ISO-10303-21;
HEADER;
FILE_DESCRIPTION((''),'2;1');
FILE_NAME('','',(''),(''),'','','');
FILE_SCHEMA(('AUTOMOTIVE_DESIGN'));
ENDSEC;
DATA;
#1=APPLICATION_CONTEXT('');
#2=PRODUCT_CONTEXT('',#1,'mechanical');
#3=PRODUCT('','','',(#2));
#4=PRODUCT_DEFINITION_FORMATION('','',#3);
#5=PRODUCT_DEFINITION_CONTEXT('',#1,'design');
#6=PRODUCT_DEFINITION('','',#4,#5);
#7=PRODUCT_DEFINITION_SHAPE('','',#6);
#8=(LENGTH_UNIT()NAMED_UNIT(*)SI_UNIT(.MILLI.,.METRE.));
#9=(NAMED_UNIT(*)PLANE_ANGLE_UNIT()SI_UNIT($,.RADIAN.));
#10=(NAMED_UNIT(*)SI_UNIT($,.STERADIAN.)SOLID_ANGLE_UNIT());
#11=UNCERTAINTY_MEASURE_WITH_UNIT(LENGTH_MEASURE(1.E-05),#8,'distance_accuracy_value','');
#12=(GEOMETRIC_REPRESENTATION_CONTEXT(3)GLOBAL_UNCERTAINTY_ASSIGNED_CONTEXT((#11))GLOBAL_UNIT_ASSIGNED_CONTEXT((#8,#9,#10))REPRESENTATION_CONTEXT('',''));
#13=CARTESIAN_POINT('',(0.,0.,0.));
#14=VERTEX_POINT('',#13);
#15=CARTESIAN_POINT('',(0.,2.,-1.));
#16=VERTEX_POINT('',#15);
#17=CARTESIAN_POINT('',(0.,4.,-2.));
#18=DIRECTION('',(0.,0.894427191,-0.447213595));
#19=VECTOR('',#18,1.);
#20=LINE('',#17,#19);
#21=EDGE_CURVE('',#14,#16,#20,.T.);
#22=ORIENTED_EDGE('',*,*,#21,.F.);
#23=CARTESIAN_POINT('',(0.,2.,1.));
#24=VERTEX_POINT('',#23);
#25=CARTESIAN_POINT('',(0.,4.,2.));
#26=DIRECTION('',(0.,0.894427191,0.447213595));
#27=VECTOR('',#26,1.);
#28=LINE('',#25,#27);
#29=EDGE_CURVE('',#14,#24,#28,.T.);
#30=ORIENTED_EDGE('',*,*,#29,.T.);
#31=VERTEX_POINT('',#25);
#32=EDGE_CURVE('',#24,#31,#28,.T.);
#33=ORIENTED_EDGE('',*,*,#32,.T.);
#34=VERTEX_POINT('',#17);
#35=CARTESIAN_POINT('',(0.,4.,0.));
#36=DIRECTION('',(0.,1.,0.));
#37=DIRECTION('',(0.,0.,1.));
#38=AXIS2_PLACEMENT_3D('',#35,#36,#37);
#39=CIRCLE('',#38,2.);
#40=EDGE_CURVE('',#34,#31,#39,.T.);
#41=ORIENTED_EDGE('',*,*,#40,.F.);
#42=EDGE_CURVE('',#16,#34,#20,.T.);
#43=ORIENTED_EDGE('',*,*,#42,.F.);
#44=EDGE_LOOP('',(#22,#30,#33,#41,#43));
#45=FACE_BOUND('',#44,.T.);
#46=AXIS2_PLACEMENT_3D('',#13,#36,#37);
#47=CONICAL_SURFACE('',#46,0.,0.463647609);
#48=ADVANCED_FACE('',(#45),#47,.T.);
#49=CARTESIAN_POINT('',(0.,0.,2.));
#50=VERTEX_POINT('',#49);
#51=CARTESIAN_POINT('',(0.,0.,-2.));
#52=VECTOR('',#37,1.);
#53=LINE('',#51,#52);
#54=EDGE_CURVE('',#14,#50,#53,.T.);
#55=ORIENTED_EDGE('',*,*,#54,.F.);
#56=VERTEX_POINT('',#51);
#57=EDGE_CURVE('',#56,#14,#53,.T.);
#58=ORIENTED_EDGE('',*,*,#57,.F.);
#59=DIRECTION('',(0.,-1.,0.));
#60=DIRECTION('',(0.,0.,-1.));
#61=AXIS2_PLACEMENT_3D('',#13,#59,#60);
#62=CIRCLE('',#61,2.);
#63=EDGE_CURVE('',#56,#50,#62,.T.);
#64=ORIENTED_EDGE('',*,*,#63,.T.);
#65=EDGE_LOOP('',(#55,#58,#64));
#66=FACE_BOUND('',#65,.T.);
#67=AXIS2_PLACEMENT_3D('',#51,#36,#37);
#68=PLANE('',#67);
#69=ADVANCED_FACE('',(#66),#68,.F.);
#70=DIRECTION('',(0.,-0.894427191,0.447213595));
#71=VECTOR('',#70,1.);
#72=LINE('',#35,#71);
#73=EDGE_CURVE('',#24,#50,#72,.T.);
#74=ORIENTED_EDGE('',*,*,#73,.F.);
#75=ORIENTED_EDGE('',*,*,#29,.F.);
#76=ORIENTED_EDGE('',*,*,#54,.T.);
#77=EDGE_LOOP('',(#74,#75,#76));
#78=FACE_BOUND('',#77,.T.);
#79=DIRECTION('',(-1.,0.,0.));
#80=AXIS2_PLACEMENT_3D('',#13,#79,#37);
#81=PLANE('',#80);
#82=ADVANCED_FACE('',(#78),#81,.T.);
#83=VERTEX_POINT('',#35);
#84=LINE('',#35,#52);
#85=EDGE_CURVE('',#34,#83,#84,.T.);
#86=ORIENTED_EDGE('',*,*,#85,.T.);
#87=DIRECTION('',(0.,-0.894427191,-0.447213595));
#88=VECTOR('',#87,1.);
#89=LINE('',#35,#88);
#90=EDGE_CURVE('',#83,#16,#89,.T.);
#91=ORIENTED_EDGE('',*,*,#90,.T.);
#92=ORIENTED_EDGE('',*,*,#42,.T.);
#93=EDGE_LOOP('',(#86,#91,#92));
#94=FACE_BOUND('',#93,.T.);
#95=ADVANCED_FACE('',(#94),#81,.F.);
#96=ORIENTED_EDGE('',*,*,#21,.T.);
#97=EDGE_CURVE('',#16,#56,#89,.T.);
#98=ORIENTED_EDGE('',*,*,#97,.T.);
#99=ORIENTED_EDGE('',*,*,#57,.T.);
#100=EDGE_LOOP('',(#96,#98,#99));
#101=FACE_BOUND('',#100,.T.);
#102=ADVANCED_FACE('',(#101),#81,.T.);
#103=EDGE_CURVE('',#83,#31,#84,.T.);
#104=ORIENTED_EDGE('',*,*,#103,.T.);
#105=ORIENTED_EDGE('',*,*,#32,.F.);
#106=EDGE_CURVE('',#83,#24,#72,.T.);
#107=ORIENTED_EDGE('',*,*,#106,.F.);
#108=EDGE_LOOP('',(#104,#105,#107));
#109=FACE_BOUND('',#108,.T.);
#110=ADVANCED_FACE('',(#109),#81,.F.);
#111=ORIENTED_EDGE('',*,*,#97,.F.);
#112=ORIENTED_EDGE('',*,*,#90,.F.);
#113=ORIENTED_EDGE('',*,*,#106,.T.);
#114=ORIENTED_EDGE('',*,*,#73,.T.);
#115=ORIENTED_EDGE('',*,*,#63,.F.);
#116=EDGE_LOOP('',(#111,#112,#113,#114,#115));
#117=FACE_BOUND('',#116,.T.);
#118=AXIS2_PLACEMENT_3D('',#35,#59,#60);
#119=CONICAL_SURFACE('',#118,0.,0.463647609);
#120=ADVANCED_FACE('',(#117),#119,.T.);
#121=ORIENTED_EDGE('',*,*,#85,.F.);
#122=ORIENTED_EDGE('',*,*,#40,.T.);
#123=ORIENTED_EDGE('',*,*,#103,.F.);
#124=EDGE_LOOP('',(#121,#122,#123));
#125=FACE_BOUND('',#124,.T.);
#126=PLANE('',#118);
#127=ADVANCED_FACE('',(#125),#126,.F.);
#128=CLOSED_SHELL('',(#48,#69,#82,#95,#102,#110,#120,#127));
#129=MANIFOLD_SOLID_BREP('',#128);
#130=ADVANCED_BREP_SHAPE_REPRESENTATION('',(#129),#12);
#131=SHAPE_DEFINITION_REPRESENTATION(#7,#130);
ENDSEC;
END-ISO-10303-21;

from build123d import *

# Parameters (mm, degrees)
REVOLVE1_ANGLE = 180
REVOLVE2_ANGLE = 180


with BuildPart() as part:
    # Sketch1 → Revolve1 (revolve)
    with BuildSketch(Plane(origin=(0, 0, 0), x_dir=(0, 0, -1), z_dir=(1, 0, 0))):
        Polygon((0, 4), (-2, 0), (0, 0), align=None)
    revolve(axis=Axis((0, 0, 0), (0, 1, 0)), revolution_arc=REVOLVE1_ANGLE)

    # Sketch2 → Revolve2 (revolve)
    with BuildSketch(Plane.ZY):
        Polygon((0, 4), (2, 4), (0, 0), align=None)
    revolve(axis=Axis((0, 0, 0), (0, -1, 0)), revolution_arc=REVOLVE2_ANGLE)


solid = part.part
